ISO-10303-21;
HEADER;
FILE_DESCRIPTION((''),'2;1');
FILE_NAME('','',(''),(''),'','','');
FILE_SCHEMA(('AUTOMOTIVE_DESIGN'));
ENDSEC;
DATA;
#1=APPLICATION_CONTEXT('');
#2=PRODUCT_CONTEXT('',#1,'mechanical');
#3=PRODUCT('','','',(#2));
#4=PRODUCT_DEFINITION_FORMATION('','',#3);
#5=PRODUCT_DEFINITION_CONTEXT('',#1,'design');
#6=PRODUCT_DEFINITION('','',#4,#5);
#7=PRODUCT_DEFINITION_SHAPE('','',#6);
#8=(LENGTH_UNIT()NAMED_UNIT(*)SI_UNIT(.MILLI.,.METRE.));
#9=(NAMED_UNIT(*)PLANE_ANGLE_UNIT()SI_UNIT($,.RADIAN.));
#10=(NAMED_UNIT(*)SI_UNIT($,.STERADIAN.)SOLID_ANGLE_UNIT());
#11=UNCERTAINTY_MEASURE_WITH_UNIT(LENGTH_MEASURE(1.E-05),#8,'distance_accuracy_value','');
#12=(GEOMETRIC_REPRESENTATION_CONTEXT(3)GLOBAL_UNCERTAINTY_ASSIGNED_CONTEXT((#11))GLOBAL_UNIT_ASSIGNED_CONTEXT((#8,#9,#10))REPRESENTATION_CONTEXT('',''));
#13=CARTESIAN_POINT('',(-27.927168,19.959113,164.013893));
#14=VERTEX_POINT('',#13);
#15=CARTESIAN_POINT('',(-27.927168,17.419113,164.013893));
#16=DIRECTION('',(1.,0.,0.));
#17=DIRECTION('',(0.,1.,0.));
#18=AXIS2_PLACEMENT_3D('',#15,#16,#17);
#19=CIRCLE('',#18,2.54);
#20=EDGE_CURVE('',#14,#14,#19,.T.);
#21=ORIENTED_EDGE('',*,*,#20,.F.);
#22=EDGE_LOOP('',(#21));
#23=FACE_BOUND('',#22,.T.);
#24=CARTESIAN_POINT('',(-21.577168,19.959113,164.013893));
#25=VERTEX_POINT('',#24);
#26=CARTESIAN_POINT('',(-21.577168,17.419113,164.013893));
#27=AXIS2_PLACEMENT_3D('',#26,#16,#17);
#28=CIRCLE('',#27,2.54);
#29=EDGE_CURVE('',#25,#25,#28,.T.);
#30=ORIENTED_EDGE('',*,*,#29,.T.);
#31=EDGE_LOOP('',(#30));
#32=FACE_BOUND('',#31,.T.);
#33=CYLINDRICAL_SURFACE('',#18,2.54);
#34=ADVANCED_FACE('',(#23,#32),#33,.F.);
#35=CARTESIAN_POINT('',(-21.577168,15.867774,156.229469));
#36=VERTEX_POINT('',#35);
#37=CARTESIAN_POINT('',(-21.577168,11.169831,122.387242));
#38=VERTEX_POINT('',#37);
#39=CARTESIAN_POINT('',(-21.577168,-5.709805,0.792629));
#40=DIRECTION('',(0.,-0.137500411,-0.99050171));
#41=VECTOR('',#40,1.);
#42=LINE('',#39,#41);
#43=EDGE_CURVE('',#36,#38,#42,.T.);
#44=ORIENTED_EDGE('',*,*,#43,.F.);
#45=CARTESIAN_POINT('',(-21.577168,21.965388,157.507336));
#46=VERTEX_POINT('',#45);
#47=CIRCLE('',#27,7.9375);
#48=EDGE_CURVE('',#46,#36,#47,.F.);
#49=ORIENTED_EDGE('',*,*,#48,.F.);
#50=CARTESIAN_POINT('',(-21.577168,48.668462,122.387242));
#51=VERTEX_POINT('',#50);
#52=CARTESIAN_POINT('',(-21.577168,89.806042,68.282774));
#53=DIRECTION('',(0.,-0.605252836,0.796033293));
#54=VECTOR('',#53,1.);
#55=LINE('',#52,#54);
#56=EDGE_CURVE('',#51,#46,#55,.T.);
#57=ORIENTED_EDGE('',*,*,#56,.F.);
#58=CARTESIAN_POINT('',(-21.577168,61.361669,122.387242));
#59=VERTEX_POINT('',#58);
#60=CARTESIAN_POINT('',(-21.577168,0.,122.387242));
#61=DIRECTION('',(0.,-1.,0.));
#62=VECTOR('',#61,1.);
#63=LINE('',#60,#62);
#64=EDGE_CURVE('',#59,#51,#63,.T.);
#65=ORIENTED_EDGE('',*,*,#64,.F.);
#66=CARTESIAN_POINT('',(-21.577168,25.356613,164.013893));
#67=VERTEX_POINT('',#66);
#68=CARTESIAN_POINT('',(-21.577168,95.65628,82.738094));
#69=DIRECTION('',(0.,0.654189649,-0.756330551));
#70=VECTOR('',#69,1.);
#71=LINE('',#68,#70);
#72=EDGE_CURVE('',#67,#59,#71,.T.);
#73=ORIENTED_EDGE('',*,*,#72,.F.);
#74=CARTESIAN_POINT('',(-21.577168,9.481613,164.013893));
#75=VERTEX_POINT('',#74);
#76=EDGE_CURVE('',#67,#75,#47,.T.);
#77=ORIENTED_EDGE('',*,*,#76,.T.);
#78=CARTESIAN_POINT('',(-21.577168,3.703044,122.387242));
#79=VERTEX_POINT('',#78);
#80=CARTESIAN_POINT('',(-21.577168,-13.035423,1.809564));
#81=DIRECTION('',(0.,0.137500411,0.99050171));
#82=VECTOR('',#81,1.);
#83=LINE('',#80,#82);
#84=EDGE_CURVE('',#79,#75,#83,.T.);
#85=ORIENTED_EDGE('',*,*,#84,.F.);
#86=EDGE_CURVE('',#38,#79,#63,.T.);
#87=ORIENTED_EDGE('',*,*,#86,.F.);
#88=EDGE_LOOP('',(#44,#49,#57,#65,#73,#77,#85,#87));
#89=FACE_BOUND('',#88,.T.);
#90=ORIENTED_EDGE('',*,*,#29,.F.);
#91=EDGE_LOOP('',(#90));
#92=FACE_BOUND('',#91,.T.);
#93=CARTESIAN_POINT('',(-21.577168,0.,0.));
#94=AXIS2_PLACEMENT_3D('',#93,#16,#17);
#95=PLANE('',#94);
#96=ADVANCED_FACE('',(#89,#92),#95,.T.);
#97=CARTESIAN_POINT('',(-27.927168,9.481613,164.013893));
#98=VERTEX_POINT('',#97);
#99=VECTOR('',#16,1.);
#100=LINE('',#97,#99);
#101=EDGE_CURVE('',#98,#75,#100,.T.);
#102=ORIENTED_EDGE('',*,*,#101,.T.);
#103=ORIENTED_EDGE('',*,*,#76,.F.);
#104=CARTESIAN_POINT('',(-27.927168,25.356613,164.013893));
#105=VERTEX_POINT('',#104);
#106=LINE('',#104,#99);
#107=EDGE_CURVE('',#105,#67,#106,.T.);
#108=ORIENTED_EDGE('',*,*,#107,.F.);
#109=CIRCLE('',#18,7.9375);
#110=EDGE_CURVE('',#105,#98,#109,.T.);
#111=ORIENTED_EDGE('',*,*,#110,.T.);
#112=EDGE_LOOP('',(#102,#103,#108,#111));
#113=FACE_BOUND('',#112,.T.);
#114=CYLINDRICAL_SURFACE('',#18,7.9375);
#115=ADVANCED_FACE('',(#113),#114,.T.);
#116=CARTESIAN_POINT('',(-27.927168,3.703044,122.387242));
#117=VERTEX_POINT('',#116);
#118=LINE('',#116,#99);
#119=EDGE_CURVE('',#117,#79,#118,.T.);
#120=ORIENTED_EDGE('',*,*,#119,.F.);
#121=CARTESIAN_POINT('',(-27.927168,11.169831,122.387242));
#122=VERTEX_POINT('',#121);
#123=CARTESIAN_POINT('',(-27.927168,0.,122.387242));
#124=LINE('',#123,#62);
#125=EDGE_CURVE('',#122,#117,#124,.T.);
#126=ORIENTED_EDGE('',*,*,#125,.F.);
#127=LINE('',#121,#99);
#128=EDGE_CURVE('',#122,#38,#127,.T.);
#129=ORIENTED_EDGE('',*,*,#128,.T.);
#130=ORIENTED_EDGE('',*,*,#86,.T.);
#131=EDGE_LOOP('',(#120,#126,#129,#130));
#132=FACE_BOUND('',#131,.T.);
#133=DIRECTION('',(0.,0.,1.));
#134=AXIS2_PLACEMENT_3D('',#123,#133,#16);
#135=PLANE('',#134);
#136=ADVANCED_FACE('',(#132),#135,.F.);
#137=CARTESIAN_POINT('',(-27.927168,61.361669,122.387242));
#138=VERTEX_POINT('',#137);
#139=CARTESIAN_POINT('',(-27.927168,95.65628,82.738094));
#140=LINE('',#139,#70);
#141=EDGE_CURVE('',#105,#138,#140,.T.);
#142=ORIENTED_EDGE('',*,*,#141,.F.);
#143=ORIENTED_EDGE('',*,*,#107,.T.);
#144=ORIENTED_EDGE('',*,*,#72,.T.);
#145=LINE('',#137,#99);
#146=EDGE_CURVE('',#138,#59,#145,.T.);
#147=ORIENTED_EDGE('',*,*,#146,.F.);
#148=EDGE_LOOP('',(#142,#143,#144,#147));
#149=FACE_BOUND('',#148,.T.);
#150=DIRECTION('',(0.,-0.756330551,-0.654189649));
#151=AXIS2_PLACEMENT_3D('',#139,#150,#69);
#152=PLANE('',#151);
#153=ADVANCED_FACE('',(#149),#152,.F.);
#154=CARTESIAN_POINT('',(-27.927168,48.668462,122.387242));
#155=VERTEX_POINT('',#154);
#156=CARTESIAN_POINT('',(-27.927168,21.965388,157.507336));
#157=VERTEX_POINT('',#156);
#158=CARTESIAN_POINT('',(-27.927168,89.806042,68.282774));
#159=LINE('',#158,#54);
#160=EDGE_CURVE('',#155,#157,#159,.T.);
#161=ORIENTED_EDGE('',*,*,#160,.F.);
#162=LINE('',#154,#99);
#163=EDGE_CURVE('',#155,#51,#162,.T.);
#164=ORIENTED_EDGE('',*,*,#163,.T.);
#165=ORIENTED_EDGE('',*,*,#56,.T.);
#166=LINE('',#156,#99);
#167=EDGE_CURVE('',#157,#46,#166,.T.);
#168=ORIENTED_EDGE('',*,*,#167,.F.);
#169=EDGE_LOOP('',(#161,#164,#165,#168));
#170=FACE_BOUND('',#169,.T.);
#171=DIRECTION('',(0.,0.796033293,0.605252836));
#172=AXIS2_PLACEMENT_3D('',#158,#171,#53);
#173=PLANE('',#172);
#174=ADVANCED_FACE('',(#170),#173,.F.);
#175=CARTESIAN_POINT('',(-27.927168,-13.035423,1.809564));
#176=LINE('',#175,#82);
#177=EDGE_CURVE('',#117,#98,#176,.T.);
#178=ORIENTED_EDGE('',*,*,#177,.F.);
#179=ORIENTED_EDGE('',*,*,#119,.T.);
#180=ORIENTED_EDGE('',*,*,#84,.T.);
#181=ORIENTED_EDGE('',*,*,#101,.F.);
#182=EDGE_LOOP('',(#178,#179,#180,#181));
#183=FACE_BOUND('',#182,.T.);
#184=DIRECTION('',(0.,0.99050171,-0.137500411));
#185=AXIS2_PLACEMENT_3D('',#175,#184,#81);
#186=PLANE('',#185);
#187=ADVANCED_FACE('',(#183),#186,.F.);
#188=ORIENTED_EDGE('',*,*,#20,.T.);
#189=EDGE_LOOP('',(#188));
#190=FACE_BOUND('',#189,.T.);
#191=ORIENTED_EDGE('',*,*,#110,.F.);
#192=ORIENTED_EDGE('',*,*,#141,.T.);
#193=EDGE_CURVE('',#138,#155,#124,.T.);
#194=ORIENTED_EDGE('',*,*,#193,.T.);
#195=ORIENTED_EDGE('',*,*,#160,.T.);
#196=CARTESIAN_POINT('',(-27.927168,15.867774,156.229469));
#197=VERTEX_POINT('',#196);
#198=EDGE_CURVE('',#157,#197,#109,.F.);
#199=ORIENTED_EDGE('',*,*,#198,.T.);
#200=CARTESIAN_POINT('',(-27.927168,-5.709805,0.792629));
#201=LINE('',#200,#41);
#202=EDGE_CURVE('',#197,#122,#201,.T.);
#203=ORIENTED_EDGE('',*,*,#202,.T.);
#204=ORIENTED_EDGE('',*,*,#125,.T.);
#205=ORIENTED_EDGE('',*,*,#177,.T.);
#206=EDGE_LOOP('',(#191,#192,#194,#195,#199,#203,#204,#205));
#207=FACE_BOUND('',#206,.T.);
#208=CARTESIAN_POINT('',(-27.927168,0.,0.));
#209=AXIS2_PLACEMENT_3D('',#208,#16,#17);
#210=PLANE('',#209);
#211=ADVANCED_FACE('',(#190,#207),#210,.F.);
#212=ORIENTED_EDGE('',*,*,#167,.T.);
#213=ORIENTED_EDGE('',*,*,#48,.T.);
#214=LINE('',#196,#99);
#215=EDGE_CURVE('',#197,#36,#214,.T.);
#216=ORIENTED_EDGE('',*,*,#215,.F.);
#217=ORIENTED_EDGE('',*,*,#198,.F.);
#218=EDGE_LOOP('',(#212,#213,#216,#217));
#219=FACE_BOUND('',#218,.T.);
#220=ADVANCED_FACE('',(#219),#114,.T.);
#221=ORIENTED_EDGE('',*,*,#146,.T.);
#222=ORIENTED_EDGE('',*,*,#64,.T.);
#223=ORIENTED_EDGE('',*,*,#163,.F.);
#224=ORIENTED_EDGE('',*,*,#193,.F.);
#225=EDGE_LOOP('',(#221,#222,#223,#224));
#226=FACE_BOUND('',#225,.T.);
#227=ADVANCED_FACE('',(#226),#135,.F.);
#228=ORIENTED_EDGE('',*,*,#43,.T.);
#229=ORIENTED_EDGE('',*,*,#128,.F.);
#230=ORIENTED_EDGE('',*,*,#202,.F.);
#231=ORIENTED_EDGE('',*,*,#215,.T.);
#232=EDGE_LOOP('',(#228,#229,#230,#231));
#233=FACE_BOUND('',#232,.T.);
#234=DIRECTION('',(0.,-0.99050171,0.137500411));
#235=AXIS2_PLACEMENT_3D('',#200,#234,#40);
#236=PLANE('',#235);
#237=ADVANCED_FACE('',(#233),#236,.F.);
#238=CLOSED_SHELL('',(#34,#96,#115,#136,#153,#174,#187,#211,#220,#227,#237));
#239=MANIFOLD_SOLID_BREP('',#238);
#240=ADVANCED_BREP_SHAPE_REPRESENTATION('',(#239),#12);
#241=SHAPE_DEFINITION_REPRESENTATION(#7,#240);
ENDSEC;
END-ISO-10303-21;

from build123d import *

# Parameters (mm, degrees)
SKETCH1_R           = 2.54
BOSS_EXTRUDE1_DEPTH = 6.35


with BuildPart() as part:
    # Sketch1 → Boss-Extrude1 (new body)
    with BuildSketch(Plane(origin=(-21.577168497, 0, 0), x_dir=(0, 0, -1), z_dir=(1, 0, 0))):
        with BuildLine():
            Line((-122.387241806, 61.361669294), (-164.013892996, 25.356612642))
            ThreePointArc((-164.013892996, 25.356612642), (-171.951392996, 17.419112642), (-164.013892996, 9.481612642))
            Line((-164.013892996, 9.481612642), (-122.387241806, 3.703044496))
            Line((-122.387241806, 3.703044496), (-122.387241806, 11.169831477))
            Line((-122.387241806, 11.169831477), (-156.229469136, 15.867774051))
            ThreePointArc((-156.229469136, 15.867774051), (-156.245156978, 19.047193392), (-157.50733564, 21.965387779))
            Line((-157.50733564, 21.965387779), (-122.387241806, 48.668462371))
            Line((-122.387241806, 48.668462371), (-122.387241806, 61.361669294))
        make_face()
        with Locations(Location((-164.013892996, 17.419112642, 0), (0, 0, 90))):
            Circle(SKETCH1_R, mode=Mode.SUBTRACT)
    extrude(amount=-BOSS_EXTRUDE1_DEPTH)


solid = part.part
